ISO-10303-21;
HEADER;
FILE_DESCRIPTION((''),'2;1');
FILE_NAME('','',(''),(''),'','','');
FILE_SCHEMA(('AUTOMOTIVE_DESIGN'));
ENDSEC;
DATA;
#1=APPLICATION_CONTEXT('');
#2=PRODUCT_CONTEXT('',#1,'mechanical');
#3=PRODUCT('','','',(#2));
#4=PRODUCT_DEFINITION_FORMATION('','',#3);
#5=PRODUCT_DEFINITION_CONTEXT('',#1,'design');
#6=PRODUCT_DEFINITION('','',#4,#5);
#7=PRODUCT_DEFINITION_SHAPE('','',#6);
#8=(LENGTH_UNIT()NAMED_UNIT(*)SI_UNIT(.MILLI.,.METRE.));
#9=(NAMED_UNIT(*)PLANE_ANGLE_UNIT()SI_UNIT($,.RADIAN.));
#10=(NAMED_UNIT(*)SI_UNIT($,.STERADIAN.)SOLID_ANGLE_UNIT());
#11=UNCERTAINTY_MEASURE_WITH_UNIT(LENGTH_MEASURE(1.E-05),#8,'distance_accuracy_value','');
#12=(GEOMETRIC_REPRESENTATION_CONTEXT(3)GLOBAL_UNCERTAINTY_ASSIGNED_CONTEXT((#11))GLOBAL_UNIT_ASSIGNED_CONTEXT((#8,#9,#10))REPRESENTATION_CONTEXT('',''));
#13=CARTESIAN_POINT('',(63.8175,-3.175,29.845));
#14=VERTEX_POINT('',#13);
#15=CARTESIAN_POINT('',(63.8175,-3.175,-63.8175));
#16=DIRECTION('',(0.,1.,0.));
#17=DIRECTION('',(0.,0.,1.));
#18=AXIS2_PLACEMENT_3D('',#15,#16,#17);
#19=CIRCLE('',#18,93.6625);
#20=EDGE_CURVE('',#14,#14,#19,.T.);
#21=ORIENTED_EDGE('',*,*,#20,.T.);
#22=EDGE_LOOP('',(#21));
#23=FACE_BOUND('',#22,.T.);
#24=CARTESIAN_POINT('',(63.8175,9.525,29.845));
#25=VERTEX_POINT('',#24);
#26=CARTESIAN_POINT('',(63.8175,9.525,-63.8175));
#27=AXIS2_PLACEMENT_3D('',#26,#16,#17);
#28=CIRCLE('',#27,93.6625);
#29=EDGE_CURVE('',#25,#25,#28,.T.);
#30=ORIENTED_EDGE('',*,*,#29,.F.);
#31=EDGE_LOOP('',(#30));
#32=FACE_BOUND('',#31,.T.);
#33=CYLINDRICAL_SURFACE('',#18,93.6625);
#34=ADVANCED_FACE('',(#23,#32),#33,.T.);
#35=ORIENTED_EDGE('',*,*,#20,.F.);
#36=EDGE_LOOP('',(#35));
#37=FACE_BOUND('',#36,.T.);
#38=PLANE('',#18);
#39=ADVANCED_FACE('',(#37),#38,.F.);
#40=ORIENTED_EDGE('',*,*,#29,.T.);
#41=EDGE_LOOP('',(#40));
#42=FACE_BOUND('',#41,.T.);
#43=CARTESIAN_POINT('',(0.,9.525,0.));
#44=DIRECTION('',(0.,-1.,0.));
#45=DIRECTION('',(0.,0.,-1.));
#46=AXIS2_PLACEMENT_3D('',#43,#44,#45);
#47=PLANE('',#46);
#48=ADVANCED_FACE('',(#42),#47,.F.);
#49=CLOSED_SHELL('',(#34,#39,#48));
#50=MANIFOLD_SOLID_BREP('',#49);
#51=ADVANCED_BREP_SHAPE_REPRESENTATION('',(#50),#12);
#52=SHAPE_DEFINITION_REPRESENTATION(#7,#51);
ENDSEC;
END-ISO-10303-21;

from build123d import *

# Parameters (mm, degrees)
SKETCH1_W           = 127.635
SKETCH1_H           = 127.635
BOSS_EXTRUDE1_DEPTH = 9.525
SKETCH13_R          = 93.6625
BOSS_EXTRUDE2_DEPTH = 12.7


with BuildPart() as part:
    # Sketch1 → Boss-Extrude1 (new body)
    with BuildSketch(Plane(origin=(0, 0, 0), x_dir=(1, 0, 0), z_dir=(0, 1, 0))):
        with Locations((63.8175, 63.8175)):
            Rectangle(SKETCH1_W, SKETCH1_H)
    extrude(amount=BOSS_EXTRUDE1_DEPTH)

    # Sketch13 → Boss-Extrude2 (add)
    with BuildSketch(Plane(origin=(0, 9.525, 0), x_dir=(1, 0, 0), z_dir=(0, 1, 0))):
        with Locations(Location((63.8175, 63.8175, 0), (0, 0, 270))):
            Circle(SKETCH13_R)
    extrude(amount=-BOSS_EXTRUDE2_DEPTH)


solid = part.part
